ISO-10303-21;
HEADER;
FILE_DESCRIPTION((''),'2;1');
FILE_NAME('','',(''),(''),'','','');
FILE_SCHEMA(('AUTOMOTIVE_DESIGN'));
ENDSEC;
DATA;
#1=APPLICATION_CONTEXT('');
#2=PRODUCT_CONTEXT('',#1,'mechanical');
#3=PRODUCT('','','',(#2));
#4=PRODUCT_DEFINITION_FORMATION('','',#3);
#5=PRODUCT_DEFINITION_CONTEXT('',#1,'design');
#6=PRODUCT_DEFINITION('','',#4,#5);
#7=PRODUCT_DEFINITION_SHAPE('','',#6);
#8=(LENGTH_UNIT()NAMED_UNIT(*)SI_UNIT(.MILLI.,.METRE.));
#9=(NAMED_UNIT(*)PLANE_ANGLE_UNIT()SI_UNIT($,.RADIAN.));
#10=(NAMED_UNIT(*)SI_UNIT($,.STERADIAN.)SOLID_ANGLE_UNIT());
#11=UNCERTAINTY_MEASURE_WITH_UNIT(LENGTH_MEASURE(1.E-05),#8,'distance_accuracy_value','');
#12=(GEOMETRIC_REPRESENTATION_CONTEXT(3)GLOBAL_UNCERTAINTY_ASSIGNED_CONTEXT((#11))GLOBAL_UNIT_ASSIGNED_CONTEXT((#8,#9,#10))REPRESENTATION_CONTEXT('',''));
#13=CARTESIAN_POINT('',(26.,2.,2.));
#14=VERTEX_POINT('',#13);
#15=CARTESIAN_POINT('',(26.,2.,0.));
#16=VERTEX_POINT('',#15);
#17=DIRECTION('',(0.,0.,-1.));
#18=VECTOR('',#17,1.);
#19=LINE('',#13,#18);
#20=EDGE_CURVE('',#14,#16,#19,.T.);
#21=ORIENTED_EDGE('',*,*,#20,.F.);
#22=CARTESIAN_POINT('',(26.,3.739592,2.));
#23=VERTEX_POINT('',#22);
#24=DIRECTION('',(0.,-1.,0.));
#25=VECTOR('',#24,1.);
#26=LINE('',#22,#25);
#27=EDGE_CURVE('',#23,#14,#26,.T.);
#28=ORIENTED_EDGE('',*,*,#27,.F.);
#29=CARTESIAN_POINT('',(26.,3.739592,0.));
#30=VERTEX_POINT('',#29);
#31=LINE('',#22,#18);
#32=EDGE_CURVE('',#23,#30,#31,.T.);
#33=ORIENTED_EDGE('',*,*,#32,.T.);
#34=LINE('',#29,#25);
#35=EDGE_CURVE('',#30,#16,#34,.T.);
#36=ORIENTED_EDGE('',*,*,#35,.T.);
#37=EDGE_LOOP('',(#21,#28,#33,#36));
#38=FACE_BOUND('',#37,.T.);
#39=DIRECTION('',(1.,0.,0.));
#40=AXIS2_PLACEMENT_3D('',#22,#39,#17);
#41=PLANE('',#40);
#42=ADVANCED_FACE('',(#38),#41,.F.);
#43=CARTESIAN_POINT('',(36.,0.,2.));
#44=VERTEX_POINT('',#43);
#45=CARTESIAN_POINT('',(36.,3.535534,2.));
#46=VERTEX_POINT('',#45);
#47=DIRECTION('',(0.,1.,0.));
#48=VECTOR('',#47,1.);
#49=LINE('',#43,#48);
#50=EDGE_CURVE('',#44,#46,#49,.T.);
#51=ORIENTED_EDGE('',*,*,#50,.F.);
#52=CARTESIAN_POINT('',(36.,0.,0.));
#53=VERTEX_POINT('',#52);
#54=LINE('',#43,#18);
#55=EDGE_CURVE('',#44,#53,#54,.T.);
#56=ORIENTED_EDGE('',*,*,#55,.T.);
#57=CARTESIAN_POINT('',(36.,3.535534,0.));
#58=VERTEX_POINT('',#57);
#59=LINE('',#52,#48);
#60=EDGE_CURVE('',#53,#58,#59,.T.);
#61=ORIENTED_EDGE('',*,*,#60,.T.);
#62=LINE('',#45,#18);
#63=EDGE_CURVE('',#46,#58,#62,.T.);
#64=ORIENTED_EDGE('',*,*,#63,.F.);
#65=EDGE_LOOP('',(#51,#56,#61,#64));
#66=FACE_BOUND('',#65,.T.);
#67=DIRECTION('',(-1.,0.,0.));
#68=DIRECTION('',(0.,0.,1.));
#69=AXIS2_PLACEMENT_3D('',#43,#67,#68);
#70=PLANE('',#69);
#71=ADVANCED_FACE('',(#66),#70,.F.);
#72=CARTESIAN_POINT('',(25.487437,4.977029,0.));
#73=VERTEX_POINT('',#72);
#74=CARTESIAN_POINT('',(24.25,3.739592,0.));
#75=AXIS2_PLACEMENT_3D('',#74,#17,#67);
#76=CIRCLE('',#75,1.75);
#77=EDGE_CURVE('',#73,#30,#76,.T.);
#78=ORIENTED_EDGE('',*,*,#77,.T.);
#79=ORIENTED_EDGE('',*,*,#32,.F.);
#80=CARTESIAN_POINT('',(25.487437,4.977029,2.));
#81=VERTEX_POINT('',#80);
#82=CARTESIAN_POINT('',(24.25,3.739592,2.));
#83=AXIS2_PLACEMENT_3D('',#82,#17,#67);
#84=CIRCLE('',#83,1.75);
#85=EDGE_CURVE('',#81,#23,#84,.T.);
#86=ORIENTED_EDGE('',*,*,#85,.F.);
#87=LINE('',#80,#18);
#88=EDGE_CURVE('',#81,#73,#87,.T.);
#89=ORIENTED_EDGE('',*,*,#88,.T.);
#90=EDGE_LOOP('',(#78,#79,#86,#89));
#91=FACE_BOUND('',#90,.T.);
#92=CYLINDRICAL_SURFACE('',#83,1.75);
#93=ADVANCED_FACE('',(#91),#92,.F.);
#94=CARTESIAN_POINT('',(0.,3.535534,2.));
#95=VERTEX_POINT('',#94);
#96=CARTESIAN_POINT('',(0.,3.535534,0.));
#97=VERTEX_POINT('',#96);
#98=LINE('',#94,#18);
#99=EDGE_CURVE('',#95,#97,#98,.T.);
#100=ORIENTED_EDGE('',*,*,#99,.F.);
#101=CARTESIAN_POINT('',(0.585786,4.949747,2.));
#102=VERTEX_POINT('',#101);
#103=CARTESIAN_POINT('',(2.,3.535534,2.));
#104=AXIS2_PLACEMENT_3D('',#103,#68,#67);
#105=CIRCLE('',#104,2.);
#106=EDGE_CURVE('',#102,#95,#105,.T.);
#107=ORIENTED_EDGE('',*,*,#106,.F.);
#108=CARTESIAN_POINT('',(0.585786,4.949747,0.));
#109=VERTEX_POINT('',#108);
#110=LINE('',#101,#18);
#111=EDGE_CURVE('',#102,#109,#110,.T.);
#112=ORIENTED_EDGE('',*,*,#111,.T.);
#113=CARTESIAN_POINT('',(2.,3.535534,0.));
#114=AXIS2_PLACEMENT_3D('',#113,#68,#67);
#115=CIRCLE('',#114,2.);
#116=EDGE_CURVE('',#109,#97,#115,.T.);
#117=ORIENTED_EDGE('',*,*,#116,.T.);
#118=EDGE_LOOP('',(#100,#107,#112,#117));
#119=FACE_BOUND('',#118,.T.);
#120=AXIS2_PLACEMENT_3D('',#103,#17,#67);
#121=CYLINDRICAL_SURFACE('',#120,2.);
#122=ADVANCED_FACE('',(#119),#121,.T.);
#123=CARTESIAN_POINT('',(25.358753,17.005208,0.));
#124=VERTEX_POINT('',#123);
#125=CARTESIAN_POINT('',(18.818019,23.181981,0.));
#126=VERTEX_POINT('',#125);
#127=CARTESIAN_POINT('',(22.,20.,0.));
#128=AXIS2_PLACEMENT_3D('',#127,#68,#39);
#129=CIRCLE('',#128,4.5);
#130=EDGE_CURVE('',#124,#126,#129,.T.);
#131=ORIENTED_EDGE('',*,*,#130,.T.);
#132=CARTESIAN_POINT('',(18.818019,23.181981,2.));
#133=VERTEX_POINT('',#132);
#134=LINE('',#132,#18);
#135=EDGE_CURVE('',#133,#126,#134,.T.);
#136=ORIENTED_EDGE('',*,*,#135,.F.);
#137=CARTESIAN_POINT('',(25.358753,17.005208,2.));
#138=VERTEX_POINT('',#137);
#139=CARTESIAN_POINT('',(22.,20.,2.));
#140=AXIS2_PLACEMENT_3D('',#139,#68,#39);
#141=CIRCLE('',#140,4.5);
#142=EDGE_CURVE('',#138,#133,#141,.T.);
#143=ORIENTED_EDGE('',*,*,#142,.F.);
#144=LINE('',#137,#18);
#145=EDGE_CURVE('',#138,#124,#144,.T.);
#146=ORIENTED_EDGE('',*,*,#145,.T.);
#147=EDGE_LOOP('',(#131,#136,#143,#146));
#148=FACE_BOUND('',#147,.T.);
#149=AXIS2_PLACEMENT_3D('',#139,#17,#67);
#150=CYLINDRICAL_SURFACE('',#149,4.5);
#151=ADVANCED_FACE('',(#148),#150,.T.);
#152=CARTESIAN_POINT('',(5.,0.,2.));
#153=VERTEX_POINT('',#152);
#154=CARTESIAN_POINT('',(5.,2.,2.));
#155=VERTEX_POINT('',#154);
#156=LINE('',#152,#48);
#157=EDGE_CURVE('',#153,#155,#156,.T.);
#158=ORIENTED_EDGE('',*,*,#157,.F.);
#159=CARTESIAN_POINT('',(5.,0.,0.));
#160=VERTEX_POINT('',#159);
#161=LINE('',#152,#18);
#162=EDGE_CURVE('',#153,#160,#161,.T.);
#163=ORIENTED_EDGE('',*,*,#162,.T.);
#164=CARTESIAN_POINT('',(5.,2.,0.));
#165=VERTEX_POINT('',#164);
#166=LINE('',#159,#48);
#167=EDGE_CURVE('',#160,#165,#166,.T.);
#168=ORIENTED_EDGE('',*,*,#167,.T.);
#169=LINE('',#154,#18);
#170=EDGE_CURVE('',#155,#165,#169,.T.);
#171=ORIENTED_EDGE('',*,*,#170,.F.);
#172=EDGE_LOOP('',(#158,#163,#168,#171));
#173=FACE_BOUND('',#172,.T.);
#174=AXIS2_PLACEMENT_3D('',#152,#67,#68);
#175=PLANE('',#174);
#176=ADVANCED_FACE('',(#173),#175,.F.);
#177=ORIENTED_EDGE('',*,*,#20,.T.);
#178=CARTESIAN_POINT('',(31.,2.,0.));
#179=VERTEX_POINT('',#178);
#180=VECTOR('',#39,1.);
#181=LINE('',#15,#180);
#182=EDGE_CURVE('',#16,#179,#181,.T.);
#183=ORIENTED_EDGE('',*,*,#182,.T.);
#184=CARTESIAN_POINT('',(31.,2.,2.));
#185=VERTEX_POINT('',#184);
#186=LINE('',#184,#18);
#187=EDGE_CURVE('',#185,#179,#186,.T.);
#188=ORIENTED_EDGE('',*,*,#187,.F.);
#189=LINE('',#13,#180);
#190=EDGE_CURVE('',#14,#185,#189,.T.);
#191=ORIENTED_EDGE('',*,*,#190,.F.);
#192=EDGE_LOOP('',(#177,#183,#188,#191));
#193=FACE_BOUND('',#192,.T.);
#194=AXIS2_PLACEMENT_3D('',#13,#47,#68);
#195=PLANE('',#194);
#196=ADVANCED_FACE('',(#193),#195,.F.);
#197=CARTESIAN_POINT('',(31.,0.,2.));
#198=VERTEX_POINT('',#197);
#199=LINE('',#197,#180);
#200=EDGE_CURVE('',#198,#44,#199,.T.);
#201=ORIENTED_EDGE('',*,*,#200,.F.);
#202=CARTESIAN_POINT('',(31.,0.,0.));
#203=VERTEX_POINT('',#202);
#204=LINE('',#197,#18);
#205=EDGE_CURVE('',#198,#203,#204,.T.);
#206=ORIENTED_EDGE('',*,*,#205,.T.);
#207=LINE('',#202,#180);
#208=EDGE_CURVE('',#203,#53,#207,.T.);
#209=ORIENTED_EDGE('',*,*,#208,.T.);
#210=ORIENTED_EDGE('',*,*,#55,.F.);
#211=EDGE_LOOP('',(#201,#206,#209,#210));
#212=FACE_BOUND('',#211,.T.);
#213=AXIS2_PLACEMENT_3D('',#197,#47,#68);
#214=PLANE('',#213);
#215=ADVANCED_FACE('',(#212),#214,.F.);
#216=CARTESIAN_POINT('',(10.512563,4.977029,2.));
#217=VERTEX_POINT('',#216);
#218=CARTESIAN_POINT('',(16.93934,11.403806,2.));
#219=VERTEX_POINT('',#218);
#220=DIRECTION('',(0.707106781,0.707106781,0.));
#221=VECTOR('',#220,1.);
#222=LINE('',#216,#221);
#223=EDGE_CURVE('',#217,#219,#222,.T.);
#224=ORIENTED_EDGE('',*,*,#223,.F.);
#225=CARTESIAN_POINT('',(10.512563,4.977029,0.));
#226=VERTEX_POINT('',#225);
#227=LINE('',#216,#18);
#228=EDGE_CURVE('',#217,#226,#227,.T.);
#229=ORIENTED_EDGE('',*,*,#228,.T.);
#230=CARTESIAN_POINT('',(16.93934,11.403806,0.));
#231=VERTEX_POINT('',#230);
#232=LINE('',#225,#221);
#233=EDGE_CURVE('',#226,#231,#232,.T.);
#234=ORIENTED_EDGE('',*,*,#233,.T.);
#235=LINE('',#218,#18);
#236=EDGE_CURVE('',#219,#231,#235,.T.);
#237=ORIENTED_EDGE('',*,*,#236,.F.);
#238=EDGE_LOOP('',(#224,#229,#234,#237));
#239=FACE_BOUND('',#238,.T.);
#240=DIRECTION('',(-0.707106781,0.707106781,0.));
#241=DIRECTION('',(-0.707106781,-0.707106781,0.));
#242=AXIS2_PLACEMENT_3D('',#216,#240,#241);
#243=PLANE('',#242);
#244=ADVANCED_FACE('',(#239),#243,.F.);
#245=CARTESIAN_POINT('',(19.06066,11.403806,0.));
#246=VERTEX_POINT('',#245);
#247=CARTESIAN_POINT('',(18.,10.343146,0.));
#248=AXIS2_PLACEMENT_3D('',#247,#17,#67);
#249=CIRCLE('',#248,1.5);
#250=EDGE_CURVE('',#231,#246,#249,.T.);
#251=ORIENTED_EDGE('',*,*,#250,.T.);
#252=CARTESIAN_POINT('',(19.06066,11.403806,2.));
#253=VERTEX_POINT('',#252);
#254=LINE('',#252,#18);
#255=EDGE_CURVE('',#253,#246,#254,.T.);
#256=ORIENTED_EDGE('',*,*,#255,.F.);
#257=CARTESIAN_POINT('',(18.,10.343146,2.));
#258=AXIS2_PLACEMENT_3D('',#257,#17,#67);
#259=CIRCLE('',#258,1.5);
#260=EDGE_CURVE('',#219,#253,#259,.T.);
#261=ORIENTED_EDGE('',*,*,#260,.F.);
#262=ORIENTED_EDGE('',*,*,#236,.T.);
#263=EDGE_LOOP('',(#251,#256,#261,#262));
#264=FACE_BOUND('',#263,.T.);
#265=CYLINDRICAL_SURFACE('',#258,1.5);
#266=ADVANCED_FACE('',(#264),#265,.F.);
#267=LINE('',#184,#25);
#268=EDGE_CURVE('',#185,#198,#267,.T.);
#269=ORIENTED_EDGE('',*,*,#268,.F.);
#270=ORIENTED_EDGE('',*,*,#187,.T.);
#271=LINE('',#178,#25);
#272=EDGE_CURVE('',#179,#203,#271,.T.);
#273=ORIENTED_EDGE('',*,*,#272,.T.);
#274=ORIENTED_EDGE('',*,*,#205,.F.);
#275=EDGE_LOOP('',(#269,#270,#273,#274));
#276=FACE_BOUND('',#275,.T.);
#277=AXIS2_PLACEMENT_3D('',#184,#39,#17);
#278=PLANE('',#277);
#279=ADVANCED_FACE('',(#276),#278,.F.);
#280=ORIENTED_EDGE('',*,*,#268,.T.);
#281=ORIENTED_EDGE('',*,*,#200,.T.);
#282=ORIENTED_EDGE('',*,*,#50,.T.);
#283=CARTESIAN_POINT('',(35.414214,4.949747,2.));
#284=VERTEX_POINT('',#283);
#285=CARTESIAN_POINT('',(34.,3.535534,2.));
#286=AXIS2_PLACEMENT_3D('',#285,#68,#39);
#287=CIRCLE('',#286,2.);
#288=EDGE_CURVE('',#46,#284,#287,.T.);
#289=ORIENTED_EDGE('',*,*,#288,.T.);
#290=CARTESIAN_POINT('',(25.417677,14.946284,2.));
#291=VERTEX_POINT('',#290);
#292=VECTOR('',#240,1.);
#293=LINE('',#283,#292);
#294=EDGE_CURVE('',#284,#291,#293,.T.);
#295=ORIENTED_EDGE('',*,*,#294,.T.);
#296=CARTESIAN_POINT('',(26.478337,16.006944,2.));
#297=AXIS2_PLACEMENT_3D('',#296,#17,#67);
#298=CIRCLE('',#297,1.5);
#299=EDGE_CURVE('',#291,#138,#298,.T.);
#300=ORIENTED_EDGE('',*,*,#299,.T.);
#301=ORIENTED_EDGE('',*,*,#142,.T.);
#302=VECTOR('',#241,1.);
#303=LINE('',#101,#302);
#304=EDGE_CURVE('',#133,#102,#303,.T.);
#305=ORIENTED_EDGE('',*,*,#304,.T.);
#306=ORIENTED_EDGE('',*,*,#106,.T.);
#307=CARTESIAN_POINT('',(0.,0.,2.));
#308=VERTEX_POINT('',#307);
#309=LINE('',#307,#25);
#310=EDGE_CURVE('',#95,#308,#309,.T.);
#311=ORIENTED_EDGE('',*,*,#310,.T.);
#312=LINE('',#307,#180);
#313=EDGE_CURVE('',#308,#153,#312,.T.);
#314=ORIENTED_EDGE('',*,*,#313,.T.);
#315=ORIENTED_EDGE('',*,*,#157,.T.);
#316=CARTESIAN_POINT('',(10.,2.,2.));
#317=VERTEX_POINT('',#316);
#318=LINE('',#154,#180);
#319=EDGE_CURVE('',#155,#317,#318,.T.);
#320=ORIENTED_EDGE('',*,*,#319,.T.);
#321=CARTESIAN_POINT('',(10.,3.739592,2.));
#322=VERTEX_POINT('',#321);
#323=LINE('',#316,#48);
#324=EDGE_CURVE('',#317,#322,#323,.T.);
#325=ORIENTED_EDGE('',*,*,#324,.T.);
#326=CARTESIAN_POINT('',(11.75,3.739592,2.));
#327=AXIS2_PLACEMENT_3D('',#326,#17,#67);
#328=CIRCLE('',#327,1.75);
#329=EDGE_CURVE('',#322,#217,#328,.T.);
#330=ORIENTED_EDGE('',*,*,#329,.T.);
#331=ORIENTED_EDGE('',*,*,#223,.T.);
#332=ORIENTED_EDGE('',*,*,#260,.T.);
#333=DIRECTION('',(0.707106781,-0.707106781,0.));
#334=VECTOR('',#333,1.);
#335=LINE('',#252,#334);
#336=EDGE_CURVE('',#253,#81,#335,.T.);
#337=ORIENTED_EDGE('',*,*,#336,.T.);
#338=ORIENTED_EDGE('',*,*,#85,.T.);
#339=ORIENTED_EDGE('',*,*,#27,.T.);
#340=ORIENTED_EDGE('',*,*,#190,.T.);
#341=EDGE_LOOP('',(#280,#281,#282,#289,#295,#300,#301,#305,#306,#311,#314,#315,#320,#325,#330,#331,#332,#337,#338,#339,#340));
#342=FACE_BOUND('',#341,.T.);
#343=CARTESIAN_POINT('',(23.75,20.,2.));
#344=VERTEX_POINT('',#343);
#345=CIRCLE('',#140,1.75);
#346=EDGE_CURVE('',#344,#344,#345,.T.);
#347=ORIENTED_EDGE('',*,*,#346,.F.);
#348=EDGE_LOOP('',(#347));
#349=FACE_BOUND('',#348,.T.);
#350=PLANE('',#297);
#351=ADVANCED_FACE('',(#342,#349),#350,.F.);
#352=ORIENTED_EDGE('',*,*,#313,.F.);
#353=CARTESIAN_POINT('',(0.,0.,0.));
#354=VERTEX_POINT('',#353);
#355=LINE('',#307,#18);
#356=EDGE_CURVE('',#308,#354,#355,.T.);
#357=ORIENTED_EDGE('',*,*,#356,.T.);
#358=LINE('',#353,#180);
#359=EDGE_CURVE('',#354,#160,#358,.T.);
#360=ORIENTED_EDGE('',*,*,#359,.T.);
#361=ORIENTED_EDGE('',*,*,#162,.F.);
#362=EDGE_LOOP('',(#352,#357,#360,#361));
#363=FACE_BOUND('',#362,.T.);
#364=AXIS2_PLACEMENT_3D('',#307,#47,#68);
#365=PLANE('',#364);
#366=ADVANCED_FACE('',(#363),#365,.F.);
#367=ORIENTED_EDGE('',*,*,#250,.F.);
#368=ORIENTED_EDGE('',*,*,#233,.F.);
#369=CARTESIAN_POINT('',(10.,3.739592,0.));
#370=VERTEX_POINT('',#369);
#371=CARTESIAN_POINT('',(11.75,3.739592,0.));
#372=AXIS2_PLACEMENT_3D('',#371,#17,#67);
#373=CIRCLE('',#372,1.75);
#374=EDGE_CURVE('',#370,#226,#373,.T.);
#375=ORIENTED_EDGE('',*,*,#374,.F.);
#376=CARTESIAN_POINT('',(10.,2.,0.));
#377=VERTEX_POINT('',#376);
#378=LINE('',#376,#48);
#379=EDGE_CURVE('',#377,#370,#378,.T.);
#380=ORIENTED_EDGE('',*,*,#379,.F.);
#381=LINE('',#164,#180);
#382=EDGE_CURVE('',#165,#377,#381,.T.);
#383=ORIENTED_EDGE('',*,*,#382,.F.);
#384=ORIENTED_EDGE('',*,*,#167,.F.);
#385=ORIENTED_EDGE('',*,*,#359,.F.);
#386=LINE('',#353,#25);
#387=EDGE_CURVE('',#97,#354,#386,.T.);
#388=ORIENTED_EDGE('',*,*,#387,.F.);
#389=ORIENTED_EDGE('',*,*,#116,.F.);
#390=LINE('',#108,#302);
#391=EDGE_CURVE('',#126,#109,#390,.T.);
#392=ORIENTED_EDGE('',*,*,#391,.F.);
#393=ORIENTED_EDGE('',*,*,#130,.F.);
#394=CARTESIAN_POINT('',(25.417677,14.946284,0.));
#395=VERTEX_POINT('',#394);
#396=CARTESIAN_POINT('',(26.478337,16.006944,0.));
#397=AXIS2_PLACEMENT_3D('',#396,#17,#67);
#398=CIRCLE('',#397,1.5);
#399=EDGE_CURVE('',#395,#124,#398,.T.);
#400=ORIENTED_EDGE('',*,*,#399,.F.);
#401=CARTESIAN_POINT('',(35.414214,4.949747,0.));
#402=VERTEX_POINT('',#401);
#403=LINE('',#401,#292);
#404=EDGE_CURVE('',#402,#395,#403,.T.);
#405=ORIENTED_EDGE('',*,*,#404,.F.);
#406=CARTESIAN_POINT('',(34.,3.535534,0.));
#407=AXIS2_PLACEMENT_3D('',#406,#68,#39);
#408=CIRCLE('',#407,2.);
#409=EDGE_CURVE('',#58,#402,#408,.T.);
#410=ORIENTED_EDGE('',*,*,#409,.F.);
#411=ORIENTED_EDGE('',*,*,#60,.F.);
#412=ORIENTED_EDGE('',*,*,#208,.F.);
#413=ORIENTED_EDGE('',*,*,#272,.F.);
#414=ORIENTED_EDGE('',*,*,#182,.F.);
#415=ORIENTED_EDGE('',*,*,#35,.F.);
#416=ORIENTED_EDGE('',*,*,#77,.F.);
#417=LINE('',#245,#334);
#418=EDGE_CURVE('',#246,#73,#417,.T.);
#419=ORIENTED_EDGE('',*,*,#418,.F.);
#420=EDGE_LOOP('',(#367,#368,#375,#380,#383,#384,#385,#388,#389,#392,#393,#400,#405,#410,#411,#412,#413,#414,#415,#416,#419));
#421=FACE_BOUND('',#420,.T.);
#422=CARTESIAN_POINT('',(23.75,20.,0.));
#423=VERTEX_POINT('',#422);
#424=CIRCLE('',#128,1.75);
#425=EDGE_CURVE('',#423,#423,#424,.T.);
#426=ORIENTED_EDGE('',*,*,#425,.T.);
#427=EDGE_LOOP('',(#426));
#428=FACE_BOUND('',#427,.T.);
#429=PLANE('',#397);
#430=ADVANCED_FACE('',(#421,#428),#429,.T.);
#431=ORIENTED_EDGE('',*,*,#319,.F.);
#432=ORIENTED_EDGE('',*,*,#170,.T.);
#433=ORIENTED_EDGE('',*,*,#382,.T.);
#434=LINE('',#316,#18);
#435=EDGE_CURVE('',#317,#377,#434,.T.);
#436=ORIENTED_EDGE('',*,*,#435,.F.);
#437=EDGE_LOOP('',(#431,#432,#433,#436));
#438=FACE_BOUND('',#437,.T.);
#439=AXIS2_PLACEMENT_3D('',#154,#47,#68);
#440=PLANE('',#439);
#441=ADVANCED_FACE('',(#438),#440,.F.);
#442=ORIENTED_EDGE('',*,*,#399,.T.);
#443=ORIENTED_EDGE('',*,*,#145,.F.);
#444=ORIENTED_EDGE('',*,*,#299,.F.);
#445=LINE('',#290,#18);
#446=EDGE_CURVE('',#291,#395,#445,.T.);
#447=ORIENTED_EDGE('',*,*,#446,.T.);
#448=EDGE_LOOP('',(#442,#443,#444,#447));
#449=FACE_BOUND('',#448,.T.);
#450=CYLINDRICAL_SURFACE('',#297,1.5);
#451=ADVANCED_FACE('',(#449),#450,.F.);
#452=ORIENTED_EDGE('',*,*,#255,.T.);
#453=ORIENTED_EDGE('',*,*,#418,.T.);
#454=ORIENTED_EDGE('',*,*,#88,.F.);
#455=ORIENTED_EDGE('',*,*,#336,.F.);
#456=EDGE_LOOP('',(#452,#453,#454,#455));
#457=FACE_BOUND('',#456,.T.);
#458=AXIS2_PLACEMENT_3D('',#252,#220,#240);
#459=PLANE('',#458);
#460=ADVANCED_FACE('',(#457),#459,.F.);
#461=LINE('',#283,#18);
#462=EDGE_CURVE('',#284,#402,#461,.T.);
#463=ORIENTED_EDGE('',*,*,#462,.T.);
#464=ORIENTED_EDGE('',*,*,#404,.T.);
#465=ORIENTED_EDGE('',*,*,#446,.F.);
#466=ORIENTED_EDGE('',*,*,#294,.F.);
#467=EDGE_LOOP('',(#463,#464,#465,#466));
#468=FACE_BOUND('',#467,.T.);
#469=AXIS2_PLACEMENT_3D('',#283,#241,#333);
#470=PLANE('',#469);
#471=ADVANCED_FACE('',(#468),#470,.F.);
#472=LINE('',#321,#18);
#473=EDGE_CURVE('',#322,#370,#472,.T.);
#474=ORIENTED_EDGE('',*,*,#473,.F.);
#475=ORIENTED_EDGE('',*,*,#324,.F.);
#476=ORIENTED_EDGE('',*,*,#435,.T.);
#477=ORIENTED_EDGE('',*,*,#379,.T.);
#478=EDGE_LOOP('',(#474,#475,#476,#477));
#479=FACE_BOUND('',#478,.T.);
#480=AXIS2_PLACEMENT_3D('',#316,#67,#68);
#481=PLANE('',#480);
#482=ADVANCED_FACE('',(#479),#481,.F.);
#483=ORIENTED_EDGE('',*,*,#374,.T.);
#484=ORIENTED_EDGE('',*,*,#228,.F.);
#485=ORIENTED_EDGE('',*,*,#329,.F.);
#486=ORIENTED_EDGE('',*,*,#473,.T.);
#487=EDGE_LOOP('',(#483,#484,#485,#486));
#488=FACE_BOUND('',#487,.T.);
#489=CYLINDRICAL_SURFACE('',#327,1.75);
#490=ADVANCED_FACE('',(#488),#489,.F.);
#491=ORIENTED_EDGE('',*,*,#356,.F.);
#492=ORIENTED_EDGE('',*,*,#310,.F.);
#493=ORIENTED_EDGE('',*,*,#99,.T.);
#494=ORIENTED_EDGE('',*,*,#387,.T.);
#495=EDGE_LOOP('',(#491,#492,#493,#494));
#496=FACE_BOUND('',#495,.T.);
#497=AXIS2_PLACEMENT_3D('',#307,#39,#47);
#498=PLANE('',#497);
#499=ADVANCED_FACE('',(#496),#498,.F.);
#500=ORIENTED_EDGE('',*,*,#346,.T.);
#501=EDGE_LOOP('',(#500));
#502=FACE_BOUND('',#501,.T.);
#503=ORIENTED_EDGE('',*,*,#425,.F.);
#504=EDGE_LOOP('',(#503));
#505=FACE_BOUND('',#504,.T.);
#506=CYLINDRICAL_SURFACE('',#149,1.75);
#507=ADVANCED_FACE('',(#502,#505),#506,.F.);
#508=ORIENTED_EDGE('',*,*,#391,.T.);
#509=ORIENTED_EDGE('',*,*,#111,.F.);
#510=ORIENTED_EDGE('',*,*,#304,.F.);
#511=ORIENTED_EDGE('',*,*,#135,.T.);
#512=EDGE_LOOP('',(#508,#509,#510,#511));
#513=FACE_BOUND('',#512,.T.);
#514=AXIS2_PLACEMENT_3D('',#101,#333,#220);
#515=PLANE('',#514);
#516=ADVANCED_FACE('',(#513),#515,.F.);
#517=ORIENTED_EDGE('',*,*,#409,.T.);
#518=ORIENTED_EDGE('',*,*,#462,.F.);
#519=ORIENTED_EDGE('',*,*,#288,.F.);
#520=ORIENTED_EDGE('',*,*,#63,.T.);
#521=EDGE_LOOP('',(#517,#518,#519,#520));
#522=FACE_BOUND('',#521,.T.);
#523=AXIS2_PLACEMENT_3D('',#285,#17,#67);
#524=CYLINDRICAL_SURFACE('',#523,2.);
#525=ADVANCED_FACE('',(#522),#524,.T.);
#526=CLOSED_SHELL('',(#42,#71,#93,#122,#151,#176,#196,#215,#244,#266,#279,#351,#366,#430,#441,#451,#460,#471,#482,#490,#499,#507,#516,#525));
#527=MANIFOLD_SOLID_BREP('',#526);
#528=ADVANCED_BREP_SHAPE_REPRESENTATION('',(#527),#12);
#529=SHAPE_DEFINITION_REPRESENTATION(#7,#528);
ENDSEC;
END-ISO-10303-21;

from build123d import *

# Parameters (mm, degrees)
SKETCH1_R           = 1.75
BOSS_EXTRUDE1_DEPTH = 2


with BuildPart() as part:
    # Sketch1 → Boss-Extrude1 (new body)
    with BuildSketch(Plane.XY):
        with BuildLine():
            Line((0, 0), (0, 3.535533906))
            ThreePointArc((0, 3.535533906), (0.152240935, 4.300900771), (0.585786438, 4.949747468))
            Line((0.585786438, 4.949747468), (18.818019485, 23.181980515))
            ThreePointArc((18.818019485, 23.181980515), (25.089650716, 23.271705741), (25.358752948, 17.005208082))
            ThreePointArc((25.358752948, 17.005208082), (24.978951169, 15.964033329), (25.417677093, 14.946283938))
            Line((25.417677093, 14.946283938), (35.414213562, 4.949747468))
            ThreePointArc((35.414213562, 4.949747468), (35.847759065, 4.300900771), (36, 3.535533906))
            Line((36, 3.535533906), (36, 0))
            Line((36, 0), (31, 0))
            Line((31, 0), (31, 2))
            Line((31, 2), (26, 2))
            Line((26, 2), (26, 3.73959236))
            ThreePointArc((26, 3.73959236), (25.866789182, 4.409288367), (25.487436867, 4.977029227))
            Line((25.487436867, 4.977029227), (19.060660172, 11.403805922))
            ThreePointArc((19.060660172, 11.403805922), (18, 11.843145751), (16.939339828, 11.403805922))
            Line((16.939339828, 11.403805922), (10.512563133, 4.977029227))
            ThreePointArc((10.512563133, 4.977029227), (10.133210818, 4.409288367), (10, 3.73959236))
            Line((10, 3.73959236), (10, 2))
            Line((10, 2), (5, 2))
            Line((5, 2), (5, 0))
            Line((5, 0), (0, 0))
        make_face()
        with Locations((22, 20)):
            Circle(SKETCH1_R, mode=Mode.SUBTRACT)
    extrude(amount=BOSS_EXTRUDE1_DEPTH)


solid = part.part
